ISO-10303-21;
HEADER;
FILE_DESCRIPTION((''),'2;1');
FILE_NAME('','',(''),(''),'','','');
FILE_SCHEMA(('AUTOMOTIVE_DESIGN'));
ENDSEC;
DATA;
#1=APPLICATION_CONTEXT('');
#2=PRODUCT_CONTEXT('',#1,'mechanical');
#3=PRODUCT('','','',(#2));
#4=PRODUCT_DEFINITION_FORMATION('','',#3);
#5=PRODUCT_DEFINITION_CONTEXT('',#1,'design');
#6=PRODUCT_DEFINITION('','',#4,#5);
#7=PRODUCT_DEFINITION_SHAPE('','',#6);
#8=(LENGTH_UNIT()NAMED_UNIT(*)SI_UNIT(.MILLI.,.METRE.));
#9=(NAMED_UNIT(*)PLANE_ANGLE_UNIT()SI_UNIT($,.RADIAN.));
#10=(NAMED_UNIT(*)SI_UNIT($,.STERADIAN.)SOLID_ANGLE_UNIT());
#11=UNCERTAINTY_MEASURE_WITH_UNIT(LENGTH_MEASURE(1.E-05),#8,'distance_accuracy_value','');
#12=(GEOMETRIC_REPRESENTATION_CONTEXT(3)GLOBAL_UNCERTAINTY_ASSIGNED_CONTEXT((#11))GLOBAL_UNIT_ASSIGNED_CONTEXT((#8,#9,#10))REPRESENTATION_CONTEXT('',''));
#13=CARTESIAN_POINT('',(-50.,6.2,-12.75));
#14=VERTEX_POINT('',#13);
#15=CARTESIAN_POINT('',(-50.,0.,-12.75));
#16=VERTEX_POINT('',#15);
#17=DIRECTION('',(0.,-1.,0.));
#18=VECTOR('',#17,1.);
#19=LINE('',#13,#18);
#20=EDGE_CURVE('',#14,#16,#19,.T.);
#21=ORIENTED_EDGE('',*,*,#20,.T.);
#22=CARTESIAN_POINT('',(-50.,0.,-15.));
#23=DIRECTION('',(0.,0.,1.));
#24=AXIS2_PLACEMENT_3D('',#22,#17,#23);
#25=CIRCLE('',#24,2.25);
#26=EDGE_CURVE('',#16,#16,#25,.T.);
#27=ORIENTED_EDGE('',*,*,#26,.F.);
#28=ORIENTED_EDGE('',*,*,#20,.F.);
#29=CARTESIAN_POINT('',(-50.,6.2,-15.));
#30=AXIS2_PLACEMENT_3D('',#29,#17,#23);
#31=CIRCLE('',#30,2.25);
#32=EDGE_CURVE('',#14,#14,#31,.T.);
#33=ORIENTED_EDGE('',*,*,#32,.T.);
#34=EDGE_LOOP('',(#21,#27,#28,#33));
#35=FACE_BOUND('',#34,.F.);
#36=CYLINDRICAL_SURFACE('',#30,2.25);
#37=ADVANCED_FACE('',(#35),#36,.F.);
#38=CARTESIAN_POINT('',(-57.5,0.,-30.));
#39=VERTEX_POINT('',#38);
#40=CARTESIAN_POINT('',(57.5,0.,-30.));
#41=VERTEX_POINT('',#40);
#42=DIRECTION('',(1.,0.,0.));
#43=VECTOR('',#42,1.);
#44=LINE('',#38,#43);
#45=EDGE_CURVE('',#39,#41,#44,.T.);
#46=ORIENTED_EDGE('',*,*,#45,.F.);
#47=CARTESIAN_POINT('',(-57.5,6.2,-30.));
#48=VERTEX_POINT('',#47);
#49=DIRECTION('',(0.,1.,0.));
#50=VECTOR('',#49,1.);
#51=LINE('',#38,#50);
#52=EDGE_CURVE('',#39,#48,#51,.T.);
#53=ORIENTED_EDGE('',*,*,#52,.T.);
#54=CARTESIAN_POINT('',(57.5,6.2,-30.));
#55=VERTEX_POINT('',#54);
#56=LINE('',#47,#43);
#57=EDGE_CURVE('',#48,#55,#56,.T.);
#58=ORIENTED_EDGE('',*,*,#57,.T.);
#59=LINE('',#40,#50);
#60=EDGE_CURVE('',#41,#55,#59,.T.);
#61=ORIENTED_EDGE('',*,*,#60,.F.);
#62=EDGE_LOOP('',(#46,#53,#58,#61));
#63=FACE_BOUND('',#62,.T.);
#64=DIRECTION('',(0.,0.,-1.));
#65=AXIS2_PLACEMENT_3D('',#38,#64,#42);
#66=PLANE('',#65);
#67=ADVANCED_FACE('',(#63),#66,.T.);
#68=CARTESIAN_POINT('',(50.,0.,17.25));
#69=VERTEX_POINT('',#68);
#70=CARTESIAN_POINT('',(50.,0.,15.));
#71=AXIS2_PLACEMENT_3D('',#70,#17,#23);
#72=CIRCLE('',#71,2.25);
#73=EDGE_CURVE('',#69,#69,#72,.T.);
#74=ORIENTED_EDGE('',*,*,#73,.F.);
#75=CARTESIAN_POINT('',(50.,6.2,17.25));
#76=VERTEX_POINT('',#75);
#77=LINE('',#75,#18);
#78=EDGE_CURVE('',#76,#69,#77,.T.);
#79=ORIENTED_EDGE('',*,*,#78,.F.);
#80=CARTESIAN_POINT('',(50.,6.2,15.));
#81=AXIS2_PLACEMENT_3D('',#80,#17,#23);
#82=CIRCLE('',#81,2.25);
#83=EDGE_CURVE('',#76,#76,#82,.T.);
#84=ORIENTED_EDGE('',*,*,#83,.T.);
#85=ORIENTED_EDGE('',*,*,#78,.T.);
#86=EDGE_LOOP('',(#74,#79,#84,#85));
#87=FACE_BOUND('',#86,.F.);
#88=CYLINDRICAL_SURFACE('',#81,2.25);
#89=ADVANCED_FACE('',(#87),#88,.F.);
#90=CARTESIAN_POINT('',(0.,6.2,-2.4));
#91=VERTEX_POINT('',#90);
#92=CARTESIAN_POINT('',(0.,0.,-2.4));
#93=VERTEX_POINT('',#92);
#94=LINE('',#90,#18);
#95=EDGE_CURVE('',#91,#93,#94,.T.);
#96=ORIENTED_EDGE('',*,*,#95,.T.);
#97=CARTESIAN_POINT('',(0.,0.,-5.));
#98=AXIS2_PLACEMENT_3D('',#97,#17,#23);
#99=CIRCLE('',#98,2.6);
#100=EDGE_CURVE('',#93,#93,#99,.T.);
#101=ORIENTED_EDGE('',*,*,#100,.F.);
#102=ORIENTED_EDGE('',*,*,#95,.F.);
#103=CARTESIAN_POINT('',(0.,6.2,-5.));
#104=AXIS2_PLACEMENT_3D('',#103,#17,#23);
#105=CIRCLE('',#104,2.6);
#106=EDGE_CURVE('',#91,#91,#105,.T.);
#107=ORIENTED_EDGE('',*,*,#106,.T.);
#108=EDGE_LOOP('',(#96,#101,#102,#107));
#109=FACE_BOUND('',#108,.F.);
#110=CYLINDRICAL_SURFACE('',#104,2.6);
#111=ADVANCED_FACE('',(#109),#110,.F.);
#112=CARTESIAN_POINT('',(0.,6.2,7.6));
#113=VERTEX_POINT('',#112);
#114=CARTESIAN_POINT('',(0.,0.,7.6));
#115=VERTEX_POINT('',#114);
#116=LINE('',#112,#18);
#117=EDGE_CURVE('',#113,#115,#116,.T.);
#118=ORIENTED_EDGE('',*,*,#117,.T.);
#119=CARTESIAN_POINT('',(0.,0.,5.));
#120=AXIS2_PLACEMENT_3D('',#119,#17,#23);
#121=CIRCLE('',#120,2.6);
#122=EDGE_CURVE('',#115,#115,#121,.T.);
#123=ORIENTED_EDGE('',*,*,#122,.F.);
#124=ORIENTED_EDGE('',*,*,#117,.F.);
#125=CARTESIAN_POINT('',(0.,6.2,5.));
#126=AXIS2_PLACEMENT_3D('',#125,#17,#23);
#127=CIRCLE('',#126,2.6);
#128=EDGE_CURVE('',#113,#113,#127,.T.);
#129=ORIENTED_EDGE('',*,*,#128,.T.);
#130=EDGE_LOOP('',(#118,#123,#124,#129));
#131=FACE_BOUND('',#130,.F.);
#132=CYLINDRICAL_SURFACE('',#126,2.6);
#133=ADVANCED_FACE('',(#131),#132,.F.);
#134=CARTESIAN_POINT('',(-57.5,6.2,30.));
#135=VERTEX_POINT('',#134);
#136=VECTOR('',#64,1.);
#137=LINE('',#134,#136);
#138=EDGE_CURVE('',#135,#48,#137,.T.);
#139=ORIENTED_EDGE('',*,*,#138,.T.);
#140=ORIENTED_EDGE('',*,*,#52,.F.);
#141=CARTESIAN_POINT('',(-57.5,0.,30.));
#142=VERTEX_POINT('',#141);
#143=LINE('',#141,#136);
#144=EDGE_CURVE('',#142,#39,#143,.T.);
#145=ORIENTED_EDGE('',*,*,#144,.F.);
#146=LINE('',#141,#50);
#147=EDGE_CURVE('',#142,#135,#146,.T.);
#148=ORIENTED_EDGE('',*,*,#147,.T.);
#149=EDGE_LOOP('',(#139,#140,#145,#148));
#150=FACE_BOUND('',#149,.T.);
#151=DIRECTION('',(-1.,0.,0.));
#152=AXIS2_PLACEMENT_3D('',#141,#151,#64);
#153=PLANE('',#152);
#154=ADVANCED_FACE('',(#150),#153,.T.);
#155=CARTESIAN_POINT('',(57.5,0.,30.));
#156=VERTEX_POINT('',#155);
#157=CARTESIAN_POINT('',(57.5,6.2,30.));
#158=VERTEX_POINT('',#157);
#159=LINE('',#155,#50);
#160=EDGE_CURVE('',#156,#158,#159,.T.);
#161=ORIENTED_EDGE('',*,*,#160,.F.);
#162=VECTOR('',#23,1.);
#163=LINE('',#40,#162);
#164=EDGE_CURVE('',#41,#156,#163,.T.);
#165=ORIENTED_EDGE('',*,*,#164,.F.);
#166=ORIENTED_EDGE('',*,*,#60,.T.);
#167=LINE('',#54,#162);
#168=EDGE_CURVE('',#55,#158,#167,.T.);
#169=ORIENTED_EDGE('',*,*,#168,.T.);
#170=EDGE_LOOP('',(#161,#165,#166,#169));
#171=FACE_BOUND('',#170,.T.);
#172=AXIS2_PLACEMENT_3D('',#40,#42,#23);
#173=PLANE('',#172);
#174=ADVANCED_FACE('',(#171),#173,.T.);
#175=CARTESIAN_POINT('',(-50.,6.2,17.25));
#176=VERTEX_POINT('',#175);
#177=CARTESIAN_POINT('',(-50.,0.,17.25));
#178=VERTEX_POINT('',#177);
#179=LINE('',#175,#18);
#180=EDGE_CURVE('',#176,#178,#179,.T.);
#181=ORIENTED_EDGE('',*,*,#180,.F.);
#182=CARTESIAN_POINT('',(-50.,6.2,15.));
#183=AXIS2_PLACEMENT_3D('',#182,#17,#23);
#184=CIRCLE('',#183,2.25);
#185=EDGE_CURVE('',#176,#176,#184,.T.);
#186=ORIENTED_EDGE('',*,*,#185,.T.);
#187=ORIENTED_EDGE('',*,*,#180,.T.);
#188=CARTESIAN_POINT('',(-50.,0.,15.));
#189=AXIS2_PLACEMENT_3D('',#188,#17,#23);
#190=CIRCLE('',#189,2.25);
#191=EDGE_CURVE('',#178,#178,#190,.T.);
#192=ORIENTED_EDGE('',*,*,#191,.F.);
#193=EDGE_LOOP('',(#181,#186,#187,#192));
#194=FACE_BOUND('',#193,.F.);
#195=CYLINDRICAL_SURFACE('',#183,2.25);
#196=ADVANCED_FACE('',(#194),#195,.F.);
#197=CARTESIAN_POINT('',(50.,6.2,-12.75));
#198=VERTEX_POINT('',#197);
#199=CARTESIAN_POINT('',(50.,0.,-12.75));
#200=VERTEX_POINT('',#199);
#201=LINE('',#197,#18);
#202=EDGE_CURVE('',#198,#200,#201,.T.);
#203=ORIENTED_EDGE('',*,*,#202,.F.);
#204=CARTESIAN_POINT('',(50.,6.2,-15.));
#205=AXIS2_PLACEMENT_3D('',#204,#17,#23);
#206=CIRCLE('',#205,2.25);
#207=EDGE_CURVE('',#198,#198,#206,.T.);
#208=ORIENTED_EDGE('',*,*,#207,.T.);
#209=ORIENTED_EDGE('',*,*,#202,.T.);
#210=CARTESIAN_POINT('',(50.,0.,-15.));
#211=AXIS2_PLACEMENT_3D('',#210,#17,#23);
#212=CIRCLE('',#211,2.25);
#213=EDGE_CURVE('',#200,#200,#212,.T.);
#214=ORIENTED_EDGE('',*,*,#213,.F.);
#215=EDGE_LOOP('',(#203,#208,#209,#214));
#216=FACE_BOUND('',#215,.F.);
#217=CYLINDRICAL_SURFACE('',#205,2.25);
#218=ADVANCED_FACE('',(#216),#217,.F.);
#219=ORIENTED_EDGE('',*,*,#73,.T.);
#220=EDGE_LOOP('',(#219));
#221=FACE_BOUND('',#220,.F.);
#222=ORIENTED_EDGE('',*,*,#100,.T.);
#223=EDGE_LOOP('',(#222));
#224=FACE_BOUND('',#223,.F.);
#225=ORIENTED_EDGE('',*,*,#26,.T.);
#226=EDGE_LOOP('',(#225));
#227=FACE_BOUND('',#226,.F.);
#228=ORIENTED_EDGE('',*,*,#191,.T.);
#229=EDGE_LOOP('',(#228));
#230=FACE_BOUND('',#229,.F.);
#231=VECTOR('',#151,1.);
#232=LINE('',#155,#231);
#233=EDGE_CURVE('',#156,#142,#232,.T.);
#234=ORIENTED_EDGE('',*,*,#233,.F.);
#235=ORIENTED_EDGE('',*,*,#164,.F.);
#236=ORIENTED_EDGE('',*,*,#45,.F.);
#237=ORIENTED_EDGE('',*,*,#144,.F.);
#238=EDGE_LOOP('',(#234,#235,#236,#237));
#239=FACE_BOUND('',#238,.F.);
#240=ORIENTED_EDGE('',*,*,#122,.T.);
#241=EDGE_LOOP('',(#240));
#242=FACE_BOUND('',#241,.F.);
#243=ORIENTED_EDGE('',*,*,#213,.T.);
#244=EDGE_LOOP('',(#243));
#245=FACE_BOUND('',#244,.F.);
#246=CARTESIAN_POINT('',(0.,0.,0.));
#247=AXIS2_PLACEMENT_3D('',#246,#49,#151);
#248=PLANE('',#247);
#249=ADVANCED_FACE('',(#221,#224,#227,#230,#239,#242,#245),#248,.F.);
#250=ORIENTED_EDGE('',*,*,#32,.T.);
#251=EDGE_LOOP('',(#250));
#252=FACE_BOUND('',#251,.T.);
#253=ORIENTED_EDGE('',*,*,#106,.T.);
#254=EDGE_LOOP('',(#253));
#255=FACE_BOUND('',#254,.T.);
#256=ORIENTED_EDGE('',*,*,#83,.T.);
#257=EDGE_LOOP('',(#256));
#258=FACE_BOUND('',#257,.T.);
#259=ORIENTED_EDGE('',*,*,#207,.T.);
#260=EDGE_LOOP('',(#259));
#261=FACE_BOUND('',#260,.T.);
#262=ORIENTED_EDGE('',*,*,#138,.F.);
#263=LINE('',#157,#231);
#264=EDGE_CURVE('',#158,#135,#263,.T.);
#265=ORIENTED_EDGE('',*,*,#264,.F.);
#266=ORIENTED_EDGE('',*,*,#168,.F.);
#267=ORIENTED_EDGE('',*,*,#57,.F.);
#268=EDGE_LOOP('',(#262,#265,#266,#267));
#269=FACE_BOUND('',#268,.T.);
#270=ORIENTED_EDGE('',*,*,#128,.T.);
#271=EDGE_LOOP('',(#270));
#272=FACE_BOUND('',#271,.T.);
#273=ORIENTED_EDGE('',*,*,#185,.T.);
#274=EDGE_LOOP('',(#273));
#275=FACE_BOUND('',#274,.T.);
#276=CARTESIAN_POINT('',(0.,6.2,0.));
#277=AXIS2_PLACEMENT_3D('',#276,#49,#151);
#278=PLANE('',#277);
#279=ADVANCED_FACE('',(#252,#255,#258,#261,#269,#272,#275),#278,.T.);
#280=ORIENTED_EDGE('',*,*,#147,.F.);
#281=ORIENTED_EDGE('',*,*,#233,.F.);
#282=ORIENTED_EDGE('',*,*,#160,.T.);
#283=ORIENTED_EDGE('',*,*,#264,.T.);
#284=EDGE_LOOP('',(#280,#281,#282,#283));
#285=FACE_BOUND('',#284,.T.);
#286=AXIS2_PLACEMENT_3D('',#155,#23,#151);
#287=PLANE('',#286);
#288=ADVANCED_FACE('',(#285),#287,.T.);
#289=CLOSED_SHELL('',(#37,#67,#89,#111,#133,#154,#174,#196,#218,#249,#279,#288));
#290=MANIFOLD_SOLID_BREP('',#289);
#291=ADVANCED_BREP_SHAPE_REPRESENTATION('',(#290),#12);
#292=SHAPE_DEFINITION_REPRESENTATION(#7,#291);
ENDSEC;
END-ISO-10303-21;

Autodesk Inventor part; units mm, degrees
ref_plane "YZ Plane" through (0, 0, 0) normal (1, 0, 0) x (0, 1, 0)
ref_plane "XZ Plane" through (0, 0, 0) normal (0, 1, 0) x (-1, 0, 0)
ref_plane "XY Plane" through (0, 0, 0) normal (0, 0, 1) x (1, 0, 0)
sketch "Sketch1" plane through (0, 0, 0) normal (0, 1, 0) x (-1, 0, 0)
  line L0 (57.5, -30) -> (-57.5, -30)
  line L1 (-57.5, -30) -> (-57.5, 30)
  line L2 (-57.5, 30) -> (57.5, 30)
  line L3 (57.5, 30) -> (57.5, -30)
  line L4 (57.5, -30) -> (-57.5, 30) construction
  line L5 (-57.5, -30) -> (57.5, 30) construction
  point P0 (0, 0)
  dimension "d0" = 115
  dimension "d1" = 60
extrude "Extrusion1" add sketch "Sketch1" along normal blind 6.2
sketch "Sketch2" plane through (0, 6.2, 0) normal (0, 1, 0) x (1, 0, 0)
  line L0 (57.5, 30) -> (-57.5, 30) projected
  line L1 (-57.5, 30) -> (-57.5, -30) projected
  line L2 (-57.5, -30) -> (57.5, -30) projected
  line L3 (57.5, -30) -> (57.5, 30) projected
  point P0 (0, 0)
  point P1 (-50, -15)
  point P2 (-50, 15)
  point P3 (50, -15)
  point P4 (50, 15)
  dimension "d4" = 15
  dimension "d5" = 7.5
  dimension "d6" = 15
  dimension "d7" = 7.5
hole "Hole1" at (-50, 6.2, 15) at (-50, 6.2, -15) at (50, 6.2, 15) at (50, 6.2, -15) direction (0, -1, 0) diameter 4.5 end through all
sketch "Sketch3" plane through (0, 6.2, 0) normal (0, 1, 0) x (1, 0, 0)
  point P0 (0, 0)
  point P1 (0, -5)
  point P2 (0, 5)
  dimension "d15" = 5
  dimension "d16" = 5
hole "Hole2" at (0, 6.2, 5) at (0, 6.2, -5) direction (0, -1, 0) diameter 5.2 end through all clearance for "Hex Head Bolt" size "M5" standard "Ansi Metric M Profile"
equation "\"d6\" = d4"
equation "\"d7\" = d5"
properties part number "AjusteBalancin"
